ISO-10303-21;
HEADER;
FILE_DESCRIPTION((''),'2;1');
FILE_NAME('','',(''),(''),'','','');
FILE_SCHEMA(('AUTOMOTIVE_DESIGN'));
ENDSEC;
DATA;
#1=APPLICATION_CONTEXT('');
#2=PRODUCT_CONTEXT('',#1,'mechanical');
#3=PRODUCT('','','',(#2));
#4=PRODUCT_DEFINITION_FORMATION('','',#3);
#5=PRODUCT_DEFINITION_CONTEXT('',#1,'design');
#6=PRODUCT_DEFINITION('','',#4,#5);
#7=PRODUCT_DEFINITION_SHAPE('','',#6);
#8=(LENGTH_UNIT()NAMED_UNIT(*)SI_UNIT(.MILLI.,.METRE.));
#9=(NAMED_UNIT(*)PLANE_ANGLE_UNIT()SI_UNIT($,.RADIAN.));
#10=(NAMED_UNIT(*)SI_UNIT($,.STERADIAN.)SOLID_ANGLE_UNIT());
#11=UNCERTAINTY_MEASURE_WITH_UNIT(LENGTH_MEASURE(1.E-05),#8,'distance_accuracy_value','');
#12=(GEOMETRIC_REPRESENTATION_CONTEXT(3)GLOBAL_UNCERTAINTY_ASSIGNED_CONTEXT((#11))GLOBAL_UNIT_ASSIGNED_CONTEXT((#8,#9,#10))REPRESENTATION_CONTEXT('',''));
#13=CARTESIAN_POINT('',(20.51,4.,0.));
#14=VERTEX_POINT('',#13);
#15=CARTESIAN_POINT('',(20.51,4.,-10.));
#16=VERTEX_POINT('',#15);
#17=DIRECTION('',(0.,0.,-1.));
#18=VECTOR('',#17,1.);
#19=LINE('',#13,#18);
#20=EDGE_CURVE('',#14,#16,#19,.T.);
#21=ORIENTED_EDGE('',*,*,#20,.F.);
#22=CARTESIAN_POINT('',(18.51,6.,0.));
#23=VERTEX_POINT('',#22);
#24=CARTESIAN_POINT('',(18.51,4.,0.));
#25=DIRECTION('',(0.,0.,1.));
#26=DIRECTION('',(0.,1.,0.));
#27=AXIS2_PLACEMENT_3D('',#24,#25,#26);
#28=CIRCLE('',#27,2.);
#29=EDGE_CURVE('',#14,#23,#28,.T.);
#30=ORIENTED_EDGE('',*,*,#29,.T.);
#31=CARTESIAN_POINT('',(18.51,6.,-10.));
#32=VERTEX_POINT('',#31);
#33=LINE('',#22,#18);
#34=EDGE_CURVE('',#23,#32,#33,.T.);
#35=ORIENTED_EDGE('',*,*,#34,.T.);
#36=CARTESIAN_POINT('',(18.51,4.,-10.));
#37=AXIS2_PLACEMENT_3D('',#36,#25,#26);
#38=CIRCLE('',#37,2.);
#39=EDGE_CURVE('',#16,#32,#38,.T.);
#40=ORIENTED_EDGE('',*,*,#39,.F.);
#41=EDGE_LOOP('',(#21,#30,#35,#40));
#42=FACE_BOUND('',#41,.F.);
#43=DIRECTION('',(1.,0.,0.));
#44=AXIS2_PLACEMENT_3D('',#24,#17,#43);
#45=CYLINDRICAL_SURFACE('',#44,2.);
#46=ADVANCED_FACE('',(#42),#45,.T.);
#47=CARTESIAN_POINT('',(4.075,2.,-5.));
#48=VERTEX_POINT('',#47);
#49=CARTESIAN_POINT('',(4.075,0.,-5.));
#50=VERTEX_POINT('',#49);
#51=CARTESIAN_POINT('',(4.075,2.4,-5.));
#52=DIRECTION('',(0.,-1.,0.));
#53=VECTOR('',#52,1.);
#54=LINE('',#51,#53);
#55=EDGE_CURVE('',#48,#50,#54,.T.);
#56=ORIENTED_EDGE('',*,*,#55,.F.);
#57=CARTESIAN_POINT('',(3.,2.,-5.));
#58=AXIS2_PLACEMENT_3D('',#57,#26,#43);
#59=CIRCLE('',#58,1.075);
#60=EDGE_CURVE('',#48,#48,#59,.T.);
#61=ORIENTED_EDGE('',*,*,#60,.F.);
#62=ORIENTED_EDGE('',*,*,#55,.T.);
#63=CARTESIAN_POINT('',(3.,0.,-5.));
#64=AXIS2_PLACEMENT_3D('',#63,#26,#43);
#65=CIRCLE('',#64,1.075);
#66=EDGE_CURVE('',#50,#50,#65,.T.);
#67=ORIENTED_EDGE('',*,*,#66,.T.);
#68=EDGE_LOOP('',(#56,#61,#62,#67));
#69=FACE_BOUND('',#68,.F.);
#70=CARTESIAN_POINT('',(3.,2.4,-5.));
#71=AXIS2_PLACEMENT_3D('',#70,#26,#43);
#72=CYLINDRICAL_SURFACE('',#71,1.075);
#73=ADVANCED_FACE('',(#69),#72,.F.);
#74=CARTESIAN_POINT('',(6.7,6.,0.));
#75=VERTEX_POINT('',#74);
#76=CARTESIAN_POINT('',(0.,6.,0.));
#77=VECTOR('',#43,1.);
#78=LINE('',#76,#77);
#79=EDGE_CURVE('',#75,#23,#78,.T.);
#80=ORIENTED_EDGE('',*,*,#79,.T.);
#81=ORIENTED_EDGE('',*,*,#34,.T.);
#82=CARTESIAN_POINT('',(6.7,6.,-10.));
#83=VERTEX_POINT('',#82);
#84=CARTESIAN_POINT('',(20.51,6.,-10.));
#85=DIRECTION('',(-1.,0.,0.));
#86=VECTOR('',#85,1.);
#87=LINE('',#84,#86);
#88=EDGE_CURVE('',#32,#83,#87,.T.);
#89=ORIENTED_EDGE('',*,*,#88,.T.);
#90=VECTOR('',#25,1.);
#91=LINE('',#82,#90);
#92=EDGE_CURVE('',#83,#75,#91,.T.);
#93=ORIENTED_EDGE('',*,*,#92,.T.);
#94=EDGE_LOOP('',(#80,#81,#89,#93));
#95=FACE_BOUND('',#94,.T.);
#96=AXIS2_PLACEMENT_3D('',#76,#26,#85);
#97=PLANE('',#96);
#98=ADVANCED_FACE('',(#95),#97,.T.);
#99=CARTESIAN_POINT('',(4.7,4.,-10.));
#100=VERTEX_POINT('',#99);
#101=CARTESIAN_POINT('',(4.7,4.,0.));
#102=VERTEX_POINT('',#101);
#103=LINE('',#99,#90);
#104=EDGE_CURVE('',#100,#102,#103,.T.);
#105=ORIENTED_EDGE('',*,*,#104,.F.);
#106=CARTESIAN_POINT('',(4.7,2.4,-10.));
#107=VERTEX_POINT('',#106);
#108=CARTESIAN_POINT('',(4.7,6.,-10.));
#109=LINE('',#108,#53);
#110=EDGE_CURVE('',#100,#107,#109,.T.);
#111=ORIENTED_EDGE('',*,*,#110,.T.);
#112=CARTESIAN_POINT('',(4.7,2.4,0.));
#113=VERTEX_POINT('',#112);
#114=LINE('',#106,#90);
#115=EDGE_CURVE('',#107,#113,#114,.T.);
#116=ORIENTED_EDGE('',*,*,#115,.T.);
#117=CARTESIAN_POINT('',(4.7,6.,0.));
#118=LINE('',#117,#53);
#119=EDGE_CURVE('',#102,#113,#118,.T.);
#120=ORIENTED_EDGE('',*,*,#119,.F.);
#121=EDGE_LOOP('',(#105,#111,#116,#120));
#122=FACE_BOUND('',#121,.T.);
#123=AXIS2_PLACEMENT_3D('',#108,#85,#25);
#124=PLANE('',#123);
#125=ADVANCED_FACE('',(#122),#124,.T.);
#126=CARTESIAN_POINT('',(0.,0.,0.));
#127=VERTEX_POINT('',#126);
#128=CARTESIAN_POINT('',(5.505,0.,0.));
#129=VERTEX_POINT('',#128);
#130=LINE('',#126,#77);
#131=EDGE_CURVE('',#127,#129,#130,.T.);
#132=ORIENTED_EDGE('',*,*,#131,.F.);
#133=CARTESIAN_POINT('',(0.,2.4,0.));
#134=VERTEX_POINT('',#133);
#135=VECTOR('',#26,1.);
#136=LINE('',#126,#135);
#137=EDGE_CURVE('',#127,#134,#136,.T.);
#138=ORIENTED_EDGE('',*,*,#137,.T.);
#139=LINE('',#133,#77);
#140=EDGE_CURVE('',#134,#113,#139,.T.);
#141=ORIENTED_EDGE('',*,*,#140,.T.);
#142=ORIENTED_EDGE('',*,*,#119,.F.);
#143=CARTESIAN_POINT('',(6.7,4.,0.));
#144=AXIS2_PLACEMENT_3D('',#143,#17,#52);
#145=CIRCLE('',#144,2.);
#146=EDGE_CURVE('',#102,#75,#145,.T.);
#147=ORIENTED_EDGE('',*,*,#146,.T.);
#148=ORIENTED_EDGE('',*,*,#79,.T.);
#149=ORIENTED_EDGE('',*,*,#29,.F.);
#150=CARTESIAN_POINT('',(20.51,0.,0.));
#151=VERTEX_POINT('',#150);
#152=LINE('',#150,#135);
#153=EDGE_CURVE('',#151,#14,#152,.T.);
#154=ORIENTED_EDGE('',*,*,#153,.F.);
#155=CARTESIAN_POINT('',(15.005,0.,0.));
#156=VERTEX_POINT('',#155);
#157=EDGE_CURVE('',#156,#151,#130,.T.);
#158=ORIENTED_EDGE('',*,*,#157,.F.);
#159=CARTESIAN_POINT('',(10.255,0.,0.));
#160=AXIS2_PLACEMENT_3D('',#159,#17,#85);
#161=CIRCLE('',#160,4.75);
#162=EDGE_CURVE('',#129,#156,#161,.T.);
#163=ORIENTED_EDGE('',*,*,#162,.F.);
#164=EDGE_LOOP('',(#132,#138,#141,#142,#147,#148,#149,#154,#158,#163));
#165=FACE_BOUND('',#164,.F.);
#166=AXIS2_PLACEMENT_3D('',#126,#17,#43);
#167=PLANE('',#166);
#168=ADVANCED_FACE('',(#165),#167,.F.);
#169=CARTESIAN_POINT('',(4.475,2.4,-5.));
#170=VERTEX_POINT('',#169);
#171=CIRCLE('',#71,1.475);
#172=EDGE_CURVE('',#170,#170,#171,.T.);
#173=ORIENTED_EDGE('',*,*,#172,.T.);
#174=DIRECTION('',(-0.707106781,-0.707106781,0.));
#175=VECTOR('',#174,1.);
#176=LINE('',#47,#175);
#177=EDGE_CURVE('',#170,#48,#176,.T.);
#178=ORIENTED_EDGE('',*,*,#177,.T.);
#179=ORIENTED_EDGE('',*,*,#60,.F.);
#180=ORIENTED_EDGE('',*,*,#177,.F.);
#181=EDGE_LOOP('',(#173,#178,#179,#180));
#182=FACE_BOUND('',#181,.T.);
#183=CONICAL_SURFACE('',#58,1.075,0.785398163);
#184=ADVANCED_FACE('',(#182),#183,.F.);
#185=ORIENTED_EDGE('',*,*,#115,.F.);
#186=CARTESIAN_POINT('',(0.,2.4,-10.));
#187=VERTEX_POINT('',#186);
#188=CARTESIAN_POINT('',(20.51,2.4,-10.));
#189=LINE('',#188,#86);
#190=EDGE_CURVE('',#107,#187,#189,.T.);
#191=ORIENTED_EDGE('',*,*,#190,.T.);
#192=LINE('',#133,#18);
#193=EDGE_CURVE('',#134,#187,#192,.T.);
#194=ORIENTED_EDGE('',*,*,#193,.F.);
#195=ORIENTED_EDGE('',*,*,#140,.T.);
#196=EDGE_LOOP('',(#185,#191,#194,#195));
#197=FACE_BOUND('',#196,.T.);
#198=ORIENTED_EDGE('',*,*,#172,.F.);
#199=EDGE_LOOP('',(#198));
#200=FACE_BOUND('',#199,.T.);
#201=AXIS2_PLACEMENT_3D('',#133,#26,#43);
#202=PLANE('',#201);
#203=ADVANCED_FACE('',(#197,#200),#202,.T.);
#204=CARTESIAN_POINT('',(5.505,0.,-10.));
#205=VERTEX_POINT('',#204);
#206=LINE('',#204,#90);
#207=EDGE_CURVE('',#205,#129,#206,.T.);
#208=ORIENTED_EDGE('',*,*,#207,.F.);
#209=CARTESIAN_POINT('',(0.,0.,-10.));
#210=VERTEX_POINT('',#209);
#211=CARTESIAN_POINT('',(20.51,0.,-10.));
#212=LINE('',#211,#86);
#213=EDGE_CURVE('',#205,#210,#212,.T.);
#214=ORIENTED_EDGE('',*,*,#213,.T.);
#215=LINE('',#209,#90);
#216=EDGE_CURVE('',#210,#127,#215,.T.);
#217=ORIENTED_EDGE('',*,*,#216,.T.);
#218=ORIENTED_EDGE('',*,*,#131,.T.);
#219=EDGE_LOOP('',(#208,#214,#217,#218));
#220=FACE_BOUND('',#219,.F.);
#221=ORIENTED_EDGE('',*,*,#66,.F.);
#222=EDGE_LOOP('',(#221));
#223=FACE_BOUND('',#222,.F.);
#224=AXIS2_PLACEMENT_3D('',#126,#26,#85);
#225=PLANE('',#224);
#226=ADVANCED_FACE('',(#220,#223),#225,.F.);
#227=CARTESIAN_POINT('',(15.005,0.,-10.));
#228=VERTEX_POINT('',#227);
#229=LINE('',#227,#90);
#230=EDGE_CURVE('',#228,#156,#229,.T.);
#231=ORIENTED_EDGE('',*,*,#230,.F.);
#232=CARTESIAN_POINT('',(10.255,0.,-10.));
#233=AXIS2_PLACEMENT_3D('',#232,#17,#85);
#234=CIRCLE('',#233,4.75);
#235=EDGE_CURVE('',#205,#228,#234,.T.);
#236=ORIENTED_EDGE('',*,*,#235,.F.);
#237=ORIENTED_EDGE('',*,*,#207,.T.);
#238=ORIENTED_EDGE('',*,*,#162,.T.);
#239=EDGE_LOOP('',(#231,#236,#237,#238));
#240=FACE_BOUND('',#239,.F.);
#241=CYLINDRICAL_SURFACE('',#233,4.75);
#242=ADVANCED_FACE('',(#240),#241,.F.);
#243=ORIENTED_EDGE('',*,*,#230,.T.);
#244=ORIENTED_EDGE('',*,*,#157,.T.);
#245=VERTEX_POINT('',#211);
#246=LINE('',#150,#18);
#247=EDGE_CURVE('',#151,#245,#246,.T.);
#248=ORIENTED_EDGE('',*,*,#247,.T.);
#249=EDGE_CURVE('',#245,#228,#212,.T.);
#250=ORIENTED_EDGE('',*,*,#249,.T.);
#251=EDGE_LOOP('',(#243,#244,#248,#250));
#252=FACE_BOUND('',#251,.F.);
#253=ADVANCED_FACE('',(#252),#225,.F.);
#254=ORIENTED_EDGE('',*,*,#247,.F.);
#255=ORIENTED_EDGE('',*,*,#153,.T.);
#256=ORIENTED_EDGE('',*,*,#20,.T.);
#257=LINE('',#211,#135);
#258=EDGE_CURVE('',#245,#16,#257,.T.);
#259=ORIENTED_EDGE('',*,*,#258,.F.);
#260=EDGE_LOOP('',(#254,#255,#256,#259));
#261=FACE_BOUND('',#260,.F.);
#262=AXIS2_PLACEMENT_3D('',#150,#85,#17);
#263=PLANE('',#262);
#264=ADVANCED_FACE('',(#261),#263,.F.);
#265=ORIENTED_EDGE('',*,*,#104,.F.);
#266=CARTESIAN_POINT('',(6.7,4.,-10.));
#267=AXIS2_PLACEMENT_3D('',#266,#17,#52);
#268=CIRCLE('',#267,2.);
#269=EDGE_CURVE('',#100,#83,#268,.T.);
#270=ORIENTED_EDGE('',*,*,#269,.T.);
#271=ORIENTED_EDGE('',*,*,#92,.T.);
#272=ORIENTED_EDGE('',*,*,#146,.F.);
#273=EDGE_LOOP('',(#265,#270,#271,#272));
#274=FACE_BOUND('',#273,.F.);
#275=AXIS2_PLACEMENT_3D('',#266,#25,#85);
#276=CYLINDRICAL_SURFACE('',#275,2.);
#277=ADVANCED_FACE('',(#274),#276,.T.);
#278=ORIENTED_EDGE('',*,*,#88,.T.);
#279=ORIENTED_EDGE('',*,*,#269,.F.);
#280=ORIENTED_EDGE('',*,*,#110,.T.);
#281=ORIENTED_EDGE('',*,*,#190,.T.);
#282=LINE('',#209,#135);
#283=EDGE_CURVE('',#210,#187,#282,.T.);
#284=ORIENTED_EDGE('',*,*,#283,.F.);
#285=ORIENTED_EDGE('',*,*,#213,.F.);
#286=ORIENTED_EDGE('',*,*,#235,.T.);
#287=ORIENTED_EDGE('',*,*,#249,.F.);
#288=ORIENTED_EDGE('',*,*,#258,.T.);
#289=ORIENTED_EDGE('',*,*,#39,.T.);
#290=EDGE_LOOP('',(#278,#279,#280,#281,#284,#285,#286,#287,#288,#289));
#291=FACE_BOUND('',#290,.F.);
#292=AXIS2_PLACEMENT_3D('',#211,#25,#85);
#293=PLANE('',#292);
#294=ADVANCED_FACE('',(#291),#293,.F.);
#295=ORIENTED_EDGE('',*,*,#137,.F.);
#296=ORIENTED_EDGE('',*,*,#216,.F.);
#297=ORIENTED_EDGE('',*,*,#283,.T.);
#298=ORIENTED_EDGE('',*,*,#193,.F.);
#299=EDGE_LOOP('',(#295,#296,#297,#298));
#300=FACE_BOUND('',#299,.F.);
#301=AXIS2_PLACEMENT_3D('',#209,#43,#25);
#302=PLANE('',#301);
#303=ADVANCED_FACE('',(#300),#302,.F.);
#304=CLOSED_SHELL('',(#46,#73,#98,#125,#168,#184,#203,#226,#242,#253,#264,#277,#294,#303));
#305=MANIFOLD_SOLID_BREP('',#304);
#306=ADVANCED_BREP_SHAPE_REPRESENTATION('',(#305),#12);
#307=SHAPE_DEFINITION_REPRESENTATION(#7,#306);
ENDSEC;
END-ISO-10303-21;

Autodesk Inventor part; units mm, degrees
ref_plane "YZ Plane" through (0, 0, 0) normal (1, 0, 0) x (0, 1, 0)
ref_plane "XZ Plane" through (0, 0, 0) normal (0, 1, 0) x (-1, 0, 0)
ref_plane "XY Plane" through (0, 0, 0) normal (0, 0, 1) x (1, 0, 0)
sketch "Sketch1" plane through (0, 0, 0) normal (0, 1, 0) x (-1, 0, 0)
  line L0 (0, 0) -> (-20.51, 0)
  line L1 (-20.51, 0) -> (-20.51, -10)
  line L2 (-20.51, -10) -> (0, -10)
  line L3 (0, -10) -> (0, 0)
  dimension "d0" = 20.51
  dimension "d1" = 10
extrude "Extrusion1" add sketch "Sketch1" along normal blind 6
sketch "Sketch3" plane through (20.51, 0, -10) normal (0, 0, -1) x (-1, 0, 0)
  line L0 (0, 0) -> (20.51, 0) projected
  circle A0 centre (10.255, 0) radius 4.75
  point P0 (15.005, 0)
  point P1 (5.505, 0)
  dimension "d4" = 9.5
extrude "Extrusion2" cut sketch "Sketch3" against normal through all contours A0 L0 picked at (11.657, 0.7358)
sketch "Sketch7" plane through (0, 6, 0) normal (0, 1, 0) x (1, 0, 0)
  line L0 (0, 0) -> (20.51, 0) projected
  line L1 (20.51, 10) -> (0, 10) projected
  line L2 (4.7, 0) -> (0, 0)
  line L3 (0, 0) -> (0, 10)
  line L4 (0, 10) -> (4.7, 10)
  line L5 (4.7, 10) -> (4.7, 0)
extrude "Extrusion3" cut sketch "Sketch7" against normal blind 3.6
sketch "Sketch8" plane through (0, 2.4, 0) normal (0, 1, 0) x (1, 0, 0)
  circle A0 centre (3, 5) radius 1.075
  point P0 (0, 0)
  dimension "d9" = 2.15
extrude "Extrusion4" cut sketch "Sketch8" against normal through all
chamfer "Chamfer1" distance 0.4 angle 45 1 edges at (1.925, 2.4, -5)
fillet "Fillet1" radius 2 2 edges at (4.7, 6, -5) (20.51, 6, -5)
properties part number "dg_clamp"
